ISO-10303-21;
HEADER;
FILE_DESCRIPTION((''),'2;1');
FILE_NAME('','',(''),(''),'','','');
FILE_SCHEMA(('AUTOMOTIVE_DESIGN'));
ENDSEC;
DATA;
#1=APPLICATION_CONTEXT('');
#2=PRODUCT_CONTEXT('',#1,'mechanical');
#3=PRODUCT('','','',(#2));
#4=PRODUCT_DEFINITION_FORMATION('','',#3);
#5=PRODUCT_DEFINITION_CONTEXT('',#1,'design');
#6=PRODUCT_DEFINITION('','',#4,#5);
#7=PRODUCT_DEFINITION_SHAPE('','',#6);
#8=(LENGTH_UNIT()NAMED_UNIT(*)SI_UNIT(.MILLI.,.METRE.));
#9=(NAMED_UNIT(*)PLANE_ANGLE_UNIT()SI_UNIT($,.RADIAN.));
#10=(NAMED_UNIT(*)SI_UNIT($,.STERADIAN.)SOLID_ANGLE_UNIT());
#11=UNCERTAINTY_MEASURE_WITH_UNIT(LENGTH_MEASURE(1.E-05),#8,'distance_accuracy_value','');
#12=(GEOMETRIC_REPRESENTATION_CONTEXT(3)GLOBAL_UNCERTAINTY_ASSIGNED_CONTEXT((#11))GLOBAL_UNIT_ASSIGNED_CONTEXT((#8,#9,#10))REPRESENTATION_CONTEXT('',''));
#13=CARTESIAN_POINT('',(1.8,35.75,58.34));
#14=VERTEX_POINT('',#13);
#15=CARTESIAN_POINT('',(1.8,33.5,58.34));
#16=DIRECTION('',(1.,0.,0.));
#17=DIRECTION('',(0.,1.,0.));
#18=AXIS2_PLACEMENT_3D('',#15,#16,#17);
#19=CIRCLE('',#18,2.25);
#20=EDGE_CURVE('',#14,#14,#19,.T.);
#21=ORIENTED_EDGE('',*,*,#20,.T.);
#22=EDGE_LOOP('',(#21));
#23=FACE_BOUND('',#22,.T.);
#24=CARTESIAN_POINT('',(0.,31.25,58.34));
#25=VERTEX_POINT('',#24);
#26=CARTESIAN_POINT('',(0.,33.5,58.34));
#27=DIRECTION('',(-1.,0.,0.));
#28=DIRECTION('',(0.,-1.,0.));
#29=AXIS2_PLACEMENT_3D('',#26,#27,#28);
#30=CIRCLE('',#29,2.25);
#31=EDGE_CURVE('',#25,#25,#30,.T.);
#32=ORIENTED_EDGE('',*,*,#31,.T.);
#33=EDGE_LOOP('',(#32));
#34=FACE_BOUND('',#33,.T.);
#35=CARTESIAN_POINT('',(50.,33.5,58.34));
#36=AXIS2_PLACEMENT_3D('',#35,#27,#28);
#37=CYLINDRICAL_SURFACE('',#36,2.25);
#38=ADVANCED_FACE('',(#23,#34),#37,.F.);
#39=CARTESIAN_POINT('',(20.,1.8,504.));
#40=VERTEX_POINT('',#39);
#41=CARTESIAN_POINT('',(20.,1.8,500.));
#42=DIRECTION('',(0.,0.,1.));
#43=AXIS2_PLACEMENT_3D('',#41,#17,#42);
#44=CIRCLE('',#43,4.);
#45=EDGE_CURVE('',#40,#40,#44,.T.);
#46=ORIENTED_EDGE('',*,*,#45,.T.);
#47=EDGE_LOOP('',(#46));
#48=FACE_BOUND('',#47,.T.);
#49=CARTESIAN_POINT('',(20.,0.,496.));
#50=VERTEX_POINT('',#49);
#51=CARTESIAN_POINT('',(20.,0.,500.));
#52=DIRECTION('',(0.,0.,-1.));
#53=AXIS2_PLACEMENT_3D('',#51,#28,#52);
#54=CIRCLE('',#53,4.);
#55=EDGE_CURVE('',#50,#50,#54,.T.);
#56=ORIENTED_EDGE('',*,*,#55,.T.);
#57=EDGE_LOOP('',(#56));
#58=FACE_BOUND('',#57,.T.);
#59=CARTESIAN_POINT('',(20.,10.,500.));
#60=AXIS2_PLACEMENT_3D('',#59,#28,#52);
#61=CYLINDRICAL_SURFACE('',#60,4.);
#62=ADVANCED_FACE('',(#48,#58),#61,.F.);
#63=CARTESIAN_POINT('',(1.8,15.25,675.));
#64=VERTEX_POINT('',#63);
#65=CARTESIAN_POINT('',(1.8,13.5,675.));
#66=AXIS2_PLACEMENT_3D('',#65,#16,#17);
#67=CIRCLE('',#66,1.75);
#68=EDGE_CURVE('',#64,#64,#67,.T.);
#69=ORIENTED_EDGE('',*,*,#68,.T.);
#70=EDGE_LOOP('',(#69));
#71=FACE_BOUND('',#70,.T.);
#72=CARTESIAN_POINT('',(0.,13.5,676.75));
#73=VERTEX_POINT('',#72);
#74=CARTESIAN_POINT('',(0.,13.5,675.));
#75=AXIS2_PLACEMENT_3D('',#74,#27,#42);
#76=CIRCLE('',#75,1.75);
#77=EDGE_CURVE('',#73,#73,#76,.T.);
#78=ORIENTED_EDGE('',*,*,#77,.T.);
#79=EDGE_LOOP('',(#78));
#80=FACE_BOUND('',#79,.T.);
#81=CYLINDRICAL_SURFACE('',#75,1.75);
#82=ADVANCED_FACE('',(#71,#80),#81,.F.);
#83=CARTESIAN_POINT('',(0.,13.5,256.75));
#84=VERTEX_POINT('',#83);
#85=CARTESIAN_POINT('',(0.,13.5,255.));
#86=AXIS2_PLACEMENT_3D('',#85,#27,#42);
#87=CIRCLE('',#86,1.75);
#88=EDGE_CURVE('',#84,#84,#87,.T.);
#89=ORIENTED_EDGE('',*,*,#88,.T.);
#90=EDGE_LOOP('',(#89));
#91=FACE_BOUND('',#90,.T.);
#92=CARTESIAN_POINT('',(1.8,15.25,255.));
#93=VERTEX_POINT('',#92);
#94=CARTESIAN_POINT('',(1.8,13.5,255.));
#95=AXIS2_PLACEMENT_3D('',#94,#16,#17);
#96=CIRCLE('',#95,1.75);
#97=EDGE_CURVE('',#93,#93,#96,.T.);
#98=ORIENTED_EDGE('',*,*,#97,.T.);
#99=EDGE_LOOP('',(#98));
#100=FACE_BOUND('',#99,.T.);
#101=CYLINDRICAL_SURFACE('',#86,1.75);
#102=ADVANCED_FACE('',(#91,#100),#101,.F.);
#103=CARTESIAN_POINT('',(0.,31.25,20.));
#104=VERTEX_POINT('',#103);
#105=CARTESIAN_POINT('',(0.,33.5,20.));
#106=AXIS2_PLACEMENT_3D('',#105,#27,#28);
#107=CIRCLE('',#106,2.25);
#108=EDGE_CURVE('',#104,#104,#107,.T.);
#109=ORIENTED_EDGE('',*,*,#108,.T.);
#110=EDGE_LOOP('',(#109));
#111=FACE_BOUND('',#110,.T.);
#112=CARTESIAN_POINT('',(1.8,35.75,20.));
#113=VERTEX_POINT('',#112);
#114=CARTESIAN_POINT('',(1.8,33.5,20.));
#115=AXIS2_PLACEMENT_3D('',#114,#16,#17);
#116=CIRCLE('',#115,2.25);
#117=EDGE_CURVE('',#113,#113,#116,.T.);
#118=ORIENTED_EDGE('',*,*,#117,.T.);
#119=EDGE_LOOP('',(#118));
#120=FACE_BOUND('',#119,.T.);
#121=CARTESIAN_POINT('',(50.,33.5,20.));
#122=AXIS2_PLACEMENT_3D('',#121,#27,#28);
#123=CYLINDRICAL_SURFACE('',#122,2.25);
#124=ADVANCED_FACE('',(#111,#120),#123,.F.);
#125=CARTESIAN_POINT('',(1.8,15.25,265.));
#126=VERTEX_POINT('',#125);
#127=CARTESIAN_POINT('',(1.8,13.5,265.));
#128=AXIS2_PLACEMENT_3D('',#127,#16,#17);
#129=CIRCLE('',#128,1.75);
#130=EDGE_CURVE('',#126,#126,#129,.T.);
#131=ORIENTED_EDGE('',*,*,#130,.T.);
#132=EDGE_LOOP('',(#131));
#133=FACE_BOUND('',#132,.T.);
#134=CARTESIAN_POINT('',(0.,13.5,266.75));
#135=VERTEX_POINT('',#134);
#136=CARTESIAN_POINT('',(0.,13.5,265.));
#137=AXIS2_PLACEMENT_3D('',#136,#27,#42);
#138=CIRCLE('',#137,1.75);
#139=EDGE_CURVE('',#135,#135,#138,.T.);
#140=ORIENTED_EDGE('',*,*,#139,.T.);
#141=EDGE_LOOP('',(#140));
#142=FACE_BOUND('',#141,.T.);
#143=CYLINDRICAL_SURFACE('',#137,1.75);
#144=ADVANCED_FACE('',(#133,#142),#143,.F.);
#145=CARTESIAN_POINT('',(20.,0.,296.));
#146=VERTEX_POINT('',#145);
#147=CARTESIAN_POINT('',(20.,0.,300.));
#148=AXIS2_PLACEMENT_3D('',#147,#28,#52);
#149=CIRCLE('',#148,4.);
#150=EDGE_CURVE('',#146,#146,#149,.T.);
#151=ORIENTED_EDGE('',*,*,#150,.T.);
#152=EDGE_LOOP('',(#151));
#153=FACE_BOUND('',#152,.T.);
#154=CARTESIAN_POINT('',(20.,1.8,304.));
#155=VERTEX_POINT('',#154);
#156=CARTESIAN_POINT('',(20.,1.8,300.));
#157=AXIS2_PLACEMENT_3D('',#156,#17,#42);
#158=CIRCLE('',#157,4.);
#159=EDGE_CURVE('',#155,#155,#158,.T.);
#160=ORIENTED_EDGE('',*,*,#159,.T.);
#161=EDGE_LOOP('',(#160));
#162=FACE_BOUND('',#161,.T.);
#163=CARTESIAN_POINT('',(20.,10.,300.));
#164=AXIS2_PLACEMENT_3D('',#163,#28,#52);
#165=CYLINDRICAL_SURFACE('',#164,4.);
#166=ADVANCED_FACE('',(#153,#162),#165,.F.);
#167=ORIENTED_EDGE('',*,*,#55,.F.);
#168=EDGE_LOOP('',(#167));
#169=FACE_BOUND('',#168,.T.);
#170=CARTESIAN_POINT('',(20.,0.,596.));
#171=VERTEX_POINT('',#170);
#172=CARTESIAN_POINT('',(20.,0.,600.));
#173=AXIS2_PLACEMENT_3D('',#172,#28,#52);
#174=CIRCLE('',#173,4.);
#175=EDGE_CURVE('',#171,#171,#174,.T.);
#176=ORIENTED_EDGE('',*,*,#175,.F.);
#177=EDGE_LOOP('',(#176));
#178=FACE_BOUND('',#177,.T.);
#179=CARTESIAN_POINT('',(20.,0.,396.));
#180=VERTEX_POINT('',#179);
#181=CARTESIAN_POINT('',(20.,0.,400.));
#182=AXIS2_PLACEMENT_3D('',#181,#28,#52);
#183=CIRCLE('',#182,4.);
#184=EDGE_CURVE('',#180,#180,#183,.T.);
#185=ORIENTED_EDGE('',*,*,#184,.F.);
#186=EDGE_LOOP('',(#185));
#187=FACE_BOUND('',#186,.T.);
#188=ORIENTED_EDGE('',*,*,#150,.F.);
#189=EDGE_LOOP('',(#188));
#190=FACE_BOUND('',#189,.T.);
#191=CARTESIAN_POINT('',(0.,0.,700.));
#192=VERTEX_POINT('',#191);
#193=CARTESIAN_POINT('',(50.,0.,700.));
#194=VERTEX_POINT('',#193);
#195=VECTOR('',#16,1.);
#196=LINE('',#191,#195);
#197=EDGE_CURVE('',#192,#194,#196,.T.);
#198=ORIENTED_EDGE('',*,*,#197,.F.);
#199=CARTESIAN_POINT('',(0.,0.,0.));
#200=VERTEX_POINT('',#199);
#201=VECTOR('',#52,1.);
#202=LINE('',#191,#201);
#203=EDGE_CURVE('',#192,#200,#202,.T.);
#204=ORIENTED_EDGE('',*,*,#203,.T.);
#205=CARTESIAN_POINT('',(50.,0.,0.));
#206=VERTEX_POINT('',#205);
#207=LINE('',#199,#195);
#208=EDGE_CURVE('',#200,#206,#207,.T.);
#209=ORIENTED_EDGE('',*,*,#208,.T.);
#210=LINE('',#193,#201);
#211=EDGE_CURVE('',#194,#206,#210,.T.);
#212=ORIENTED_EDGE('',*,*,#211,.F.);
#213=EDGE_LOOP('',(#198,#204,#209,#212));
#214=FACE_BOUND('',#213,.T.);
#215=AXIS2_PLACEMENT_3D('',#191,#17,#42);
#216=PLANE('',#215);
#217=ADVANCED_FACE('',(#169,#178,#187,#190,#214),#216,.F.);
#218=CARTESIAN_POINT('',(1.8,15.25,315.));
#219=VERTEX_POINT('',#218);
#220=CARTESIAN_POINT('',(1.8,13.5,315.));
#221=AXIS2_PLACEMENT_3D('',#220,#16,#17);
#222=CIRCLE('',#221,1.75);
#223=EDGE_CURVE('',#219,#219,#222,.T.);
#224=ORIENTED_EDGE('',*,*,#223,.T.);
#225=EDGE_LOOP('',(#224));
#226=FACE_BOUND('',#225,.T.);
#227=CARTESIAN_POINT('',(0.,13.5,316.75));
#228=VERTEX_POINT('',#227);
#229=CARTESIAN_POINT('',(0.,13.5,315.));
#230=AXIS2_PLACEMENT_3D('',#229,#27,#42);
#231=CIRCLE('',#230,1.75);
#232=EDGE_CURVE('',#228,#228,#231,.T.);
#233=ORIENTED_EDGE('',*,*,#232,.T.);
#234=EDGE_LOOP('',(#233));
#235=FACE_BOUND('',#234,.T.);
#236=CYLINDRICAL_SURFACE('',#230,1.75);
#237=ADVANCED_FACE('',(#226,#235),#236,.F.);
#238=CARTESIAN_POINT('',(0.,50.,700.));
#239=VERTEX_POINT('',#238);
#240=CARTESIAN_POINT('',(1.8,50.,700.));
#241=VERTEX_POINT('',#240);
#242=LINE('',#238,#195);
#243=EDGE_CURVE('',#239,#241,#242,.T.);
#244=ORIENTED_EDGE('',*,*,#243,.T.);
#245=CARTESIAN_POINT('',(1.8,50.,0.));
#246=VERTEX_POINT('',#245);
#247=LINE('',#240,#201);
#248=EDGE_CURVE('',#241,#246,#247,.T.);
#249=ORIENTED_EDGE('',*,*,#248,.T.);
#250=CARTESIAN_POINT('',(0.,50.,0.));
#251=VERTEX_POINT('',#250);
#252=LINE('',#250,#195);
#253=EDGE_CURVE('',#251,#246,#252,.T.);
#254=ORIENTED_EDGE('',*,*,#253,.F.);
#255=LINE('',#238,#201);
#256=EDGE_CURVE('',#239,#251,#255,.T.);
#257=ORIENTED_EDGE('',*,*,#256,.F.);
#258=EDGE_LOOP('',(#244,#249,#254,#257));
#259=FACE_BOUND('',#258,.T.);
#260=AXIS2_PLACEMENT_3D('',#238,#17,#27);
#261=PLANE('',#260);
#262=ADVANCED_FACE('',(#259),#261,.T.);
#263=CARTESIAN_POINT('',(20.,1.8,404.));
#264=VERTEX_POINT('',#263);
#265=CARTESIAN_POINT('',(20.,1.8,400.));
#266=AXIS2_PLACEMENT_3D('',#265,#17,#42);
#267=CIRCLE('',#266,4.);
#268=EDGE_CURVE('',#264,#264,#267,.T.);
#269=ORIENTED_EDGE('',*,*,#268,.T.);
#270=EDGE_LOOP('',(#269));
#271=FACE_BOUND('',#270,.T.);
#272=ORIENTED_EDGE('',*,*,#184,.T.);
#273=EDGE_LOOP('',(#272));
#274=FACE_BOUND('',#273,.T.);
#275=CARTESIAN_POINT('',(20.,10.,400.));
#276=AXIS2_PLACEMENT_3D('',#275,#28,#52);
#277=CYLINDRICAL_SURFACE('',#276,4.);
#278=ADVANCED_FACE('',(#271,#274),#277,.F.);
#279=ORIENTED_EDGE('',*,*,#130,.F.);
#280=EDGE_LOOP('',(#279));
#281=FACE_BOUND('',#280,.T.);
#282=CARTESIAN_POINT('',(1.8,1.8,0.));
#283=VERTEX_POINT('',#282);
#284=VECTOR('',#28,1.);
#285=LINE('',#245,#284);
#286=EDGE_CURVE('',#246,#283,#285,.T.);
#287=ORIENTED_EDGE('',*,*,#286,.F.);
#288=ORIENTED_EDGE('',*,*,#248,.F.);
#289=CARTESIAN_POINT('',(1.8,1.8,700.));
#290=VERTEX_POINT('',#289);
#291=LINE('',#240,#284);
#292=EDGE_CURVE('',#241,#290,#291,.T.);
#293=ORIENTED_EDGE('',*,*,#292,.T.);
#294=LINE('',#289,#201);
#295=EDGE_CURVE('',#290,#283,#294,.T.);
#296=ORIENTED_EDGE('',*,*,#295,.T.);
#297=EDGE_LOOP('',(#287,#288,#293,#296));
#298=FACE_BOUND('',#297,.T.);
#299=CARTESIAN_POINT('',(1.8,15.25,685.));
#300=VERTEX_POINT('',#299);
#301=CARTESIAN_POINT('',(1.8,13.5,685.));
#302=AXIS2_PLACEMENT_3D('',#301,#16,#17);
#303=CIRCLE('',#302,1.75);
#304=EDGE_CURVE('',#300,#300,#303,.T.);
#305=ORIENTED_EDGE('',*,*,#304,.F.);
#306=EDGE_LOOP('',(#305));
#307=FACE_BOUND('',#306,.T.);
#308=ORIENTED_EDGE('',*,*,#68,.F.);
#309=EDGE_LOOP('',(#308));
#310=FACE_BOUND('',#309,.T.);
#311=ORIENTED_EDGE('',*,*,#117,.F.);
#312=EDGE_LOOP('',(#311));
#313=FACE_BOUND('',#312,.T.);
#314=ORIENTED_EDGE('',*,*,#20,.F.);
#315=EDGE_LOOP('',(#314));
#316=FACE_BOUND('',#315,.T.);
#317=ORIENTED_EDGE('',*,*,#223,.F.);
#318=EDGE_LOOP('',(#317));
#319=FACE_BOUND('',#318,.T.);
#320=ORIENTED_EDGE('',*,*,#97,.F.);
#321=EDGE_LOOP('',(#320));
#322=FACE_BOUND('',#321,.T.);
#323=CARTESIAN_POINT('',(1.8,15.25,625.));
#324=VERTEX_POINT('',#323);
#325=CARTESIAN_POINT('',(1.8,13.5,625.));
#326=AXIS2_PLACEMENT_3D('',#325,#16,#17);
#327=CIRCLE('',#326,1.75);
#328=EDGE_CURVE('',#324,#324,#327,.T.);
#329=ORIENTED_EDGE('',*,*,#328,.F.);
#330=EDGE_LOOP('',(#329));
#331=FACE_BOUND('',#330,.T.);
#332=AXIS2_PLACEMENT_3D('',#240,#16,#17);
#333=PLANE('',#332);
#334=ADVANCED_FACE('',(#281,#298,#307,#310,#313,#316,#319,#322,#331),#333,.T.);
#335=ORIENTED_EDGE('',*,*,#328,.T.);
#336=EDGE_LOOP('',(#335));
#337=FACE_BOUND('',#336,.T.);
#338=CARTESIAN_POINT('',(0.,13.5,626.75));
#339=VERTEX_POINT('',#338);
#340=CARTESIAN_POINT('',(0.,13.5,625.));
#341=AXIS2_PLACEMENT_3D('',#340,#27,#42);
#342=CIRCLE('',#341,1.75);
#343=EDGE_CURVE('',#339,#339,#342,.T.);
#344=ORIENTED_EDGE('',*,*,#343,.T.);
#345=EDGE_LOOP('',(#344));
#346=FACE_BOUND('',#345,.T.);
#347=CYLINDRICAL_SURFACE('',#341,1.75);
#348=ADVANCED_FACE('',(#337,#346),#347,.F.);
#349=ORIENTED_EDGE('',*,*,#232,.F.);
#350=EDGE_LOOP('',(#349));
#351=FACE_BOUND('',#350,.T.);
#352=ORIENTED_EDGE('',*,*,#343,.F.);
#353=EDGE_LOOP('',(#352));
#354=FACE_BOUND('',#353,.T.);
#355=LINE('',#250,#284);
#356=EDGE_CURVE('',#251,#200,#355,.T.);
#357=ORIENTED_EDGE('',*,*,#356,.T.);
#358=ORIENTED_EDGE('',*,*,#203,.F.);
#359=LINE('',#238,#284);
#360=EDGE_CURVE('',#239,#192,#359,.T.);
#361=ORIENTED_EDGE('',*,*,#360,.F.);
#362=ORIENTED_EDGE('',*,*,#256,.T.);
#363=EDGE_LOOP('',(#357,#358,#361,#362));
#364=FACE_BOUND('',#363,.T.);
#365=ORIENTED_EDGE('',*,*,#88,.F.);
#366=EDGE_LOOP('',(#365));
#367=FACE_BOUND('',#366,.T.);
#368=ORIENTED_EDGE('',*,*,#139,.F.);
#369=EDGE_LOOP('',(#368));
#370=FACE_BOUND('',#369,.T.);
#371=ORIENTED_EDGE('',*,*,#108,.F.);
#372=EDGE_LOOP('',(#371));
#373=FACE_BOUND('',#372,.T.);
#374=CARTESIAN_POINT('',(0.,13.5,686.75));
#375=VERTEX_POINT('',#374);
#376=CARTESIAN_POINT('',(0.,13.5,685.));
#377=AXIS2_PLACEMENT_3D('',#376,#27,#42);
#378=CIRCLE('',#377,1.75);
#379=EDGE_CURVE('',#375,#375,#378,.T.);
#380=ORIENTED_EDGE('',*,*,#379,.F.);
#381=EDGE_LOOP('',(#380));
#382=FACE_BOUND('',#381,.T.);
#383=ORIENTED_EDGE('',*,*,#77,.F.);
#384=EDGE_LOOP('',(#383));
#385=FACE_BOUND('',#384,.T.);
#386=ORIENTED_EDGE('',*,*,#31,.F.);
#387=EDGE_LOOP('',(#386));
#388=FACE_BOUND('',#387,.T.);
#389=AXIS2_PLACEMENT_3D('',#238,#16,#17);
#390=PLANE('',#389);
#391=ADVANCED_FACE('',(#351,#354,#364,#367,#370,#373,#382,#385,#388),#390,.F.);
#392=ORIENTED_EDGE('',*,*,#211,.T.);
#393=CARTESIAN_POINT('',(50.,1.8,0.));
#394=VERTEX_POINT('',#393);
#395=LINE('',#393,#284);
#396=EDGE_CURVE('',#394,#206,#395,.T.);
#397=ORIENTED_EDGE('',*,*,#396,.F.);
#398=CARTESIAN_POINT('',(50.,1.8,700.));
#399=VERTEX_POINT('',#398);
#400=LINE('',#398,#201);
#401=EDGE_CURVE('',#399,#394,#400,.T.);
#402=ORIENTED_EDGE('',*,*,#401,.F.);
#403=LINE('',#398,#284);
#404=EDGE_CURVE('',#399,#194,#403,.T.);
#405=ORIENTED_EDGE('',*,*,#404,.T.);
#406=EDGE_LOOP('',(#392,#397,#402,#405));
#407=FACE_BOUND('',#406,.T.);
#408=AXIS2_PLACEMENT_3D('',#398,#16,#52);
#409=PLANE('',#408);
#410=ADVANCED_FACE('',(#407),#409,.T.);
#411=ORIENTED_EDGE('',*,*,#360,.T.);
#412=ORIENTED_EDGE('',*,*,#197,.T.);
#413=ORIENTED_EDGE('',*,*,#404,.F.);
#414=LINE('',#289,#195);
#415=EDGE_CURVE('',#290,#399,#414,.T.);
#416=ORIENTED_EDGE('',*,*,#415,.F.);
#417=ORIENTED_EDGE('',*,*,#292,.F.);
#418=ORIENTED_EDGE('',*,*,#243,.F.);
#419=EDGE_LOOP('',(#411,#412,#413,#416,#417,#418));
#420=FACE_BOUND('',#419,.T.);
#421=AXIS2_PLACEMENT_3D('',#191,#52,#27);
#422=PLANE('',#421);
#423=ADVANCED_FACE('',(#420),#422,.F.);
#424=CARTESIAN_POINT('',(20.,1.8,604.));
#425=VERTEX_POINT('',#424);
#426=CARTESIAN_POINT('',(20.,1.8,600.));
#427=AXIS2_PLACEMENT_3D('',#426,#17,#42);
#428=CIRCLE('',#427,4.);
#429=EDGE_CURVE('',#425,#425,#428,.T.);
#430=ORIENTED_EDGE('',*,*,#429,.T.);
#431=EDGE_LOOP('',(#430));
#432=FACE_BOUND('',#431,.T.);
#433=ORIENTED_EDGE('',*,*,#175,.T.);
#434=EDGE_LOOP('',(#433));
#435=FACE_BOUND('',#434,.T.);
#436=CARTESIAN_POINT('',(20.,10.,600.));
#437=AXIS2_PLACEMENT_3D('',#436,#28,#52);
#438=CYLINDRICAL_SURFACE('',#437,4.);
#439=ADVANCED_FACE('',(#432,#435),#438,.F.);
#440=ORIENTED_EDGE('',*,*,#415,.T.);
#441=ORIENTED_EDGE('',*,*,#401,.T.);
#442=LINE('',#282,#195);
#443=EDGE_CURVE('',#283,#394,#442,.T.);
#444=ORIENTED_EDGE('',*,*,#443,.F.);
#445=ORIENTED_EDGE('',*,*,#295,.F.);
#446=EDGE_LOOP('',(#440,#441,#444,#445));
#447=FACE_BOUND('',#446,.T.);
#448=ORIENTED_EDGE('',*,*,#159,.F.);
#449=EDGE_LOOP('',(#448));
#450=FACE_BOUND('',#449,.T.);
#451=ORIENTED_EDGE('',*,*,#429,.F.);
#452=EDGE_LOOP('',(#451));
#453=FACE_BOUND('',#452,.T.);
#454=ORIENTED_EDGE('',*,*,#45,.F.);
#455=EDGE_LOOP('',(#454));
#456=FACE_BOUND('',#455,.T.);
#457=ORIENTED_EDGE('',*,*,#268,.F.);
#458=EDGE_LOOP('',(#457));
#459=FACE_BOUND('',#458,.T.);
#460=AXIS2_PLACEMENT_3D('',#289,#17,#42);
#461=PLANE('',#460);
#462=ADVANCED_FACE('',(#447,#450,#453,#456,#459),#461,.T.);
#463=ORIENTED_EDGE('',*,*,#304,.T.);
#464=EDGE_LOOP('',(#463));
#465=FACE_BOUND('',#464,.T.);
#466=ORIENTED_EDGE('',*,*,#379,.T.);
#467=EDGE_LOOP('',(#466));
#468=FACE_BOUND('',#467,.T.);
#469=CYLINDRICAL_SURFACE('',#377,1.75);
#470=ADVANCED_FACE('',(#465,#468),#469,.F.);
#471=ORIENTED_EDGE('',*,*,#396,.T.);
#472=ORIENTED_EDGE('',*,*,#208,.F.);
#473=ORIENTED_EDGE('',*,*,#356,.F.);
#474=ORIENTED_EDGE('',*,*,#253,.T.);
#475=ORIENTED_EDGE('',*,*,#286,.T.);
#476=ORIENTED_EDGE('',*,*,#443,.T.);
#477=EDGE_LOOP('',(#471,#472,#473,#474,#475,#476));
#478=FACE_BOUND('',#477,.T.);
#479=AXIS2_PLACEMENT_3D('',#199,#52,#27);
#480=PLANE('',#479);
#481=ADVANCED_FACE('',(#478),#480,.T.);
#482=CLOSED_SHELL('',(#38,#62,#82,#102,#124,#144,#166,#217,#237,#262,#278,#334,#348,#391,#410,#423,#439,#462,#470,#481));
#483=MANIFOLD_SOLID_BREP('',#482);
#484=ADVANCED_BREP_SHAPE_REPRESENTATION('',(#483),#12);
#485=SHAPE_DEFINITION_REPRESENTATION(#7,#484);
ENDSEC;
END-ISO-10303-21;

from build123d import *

# Parameters (mm, degrees)
EXTRUDE_1_DEPTH             = 700
SKETCH_2_R                  = 4
CUT_EXTRUDE_1_DEPTH         = 10
SKETCH_3_R                  = 2.25
CUT_EXTRUDE_2_DEPTH         = 51
HOLE_WIZARD_3_5_3_5_1_D     = 3.5
HOLE_WIZARD_3_5_3_5_1_DEPTH = 2
HOLE_WIZARD_3_5_3_5_1_TIP   = 1.051506083


with BuildPart() as part:
    # 草圖1 → 填料-伸長1 (new body)
    with BuildSketch(Plane.XY):
        Polygon((0, 50), (0, 0), (50, 0), (50, 1.8), (1.8, 1.8), (1.8, 50), align=None)
    extrude(amount=EXTRUDE_1_DEPTH)

    # 草圖2 → 除料-伸長1 (cut)
    with BuildSketch(Plane(origin=(0, 0, 0), x_dir=(-1, 0, 0), z_dir=(0, -1, 0))):
        with Locations((-20, -300)):
            Circle(SKETCH_2_R)
        with Locations((-20, -600)):
            Circle(SKETCH_2_R)
        with Locations((-20, -500)):
            Circle(SKETCH_2_R)
        with Locations((-20, -400)):
            Circle(SKETCH_2_R)
    extrude(amount=-CUT_EXTRUDE_1_DEPTH, mode=Mode.SUBTRACT)

    # 草圖3 → 除料-伸長2 (cut, through all)
    with BuildSketch(Plane.ZY):
        with Locations((58.34, 33.5)):
            Circle(SKETCH_3_R)
        with Locations((20, 33.5)):
            Circle(SKETCH_3_R)
    extrude(amount=-CUT_EXTRUDE_2_DEPTH, mode=Mode.SUBTRACT)

    # Ø3.5 (3.5) 直徑孔1
    with Locations(Plane.ZY):
        with Locations((685, 13.5), (675, 13.5), (625, 13.5), (255, 13.5), (265, 13.5), (315, 13.5)):
            Hole(HOLE_WIZARD_3_5_3_5_1_D / 2, depth=HOLE_WIZARD_3_5_3_5_1_DEPTH)
            with Locations((0, 0, -(HOLE_WIZARD_3_5_3_5_1_DEPTH + HOLE_WIZARD_3_5_3_5_1_TIP / 2))):  # 118° drill point
                Cone(0, HOLE_WIZARD_3_5_3_5_1_D / 2, HOLE_WIZARD_3_5_3_5_1_TIP, mode=Mode.SUBTRACT)


solid = part.part
